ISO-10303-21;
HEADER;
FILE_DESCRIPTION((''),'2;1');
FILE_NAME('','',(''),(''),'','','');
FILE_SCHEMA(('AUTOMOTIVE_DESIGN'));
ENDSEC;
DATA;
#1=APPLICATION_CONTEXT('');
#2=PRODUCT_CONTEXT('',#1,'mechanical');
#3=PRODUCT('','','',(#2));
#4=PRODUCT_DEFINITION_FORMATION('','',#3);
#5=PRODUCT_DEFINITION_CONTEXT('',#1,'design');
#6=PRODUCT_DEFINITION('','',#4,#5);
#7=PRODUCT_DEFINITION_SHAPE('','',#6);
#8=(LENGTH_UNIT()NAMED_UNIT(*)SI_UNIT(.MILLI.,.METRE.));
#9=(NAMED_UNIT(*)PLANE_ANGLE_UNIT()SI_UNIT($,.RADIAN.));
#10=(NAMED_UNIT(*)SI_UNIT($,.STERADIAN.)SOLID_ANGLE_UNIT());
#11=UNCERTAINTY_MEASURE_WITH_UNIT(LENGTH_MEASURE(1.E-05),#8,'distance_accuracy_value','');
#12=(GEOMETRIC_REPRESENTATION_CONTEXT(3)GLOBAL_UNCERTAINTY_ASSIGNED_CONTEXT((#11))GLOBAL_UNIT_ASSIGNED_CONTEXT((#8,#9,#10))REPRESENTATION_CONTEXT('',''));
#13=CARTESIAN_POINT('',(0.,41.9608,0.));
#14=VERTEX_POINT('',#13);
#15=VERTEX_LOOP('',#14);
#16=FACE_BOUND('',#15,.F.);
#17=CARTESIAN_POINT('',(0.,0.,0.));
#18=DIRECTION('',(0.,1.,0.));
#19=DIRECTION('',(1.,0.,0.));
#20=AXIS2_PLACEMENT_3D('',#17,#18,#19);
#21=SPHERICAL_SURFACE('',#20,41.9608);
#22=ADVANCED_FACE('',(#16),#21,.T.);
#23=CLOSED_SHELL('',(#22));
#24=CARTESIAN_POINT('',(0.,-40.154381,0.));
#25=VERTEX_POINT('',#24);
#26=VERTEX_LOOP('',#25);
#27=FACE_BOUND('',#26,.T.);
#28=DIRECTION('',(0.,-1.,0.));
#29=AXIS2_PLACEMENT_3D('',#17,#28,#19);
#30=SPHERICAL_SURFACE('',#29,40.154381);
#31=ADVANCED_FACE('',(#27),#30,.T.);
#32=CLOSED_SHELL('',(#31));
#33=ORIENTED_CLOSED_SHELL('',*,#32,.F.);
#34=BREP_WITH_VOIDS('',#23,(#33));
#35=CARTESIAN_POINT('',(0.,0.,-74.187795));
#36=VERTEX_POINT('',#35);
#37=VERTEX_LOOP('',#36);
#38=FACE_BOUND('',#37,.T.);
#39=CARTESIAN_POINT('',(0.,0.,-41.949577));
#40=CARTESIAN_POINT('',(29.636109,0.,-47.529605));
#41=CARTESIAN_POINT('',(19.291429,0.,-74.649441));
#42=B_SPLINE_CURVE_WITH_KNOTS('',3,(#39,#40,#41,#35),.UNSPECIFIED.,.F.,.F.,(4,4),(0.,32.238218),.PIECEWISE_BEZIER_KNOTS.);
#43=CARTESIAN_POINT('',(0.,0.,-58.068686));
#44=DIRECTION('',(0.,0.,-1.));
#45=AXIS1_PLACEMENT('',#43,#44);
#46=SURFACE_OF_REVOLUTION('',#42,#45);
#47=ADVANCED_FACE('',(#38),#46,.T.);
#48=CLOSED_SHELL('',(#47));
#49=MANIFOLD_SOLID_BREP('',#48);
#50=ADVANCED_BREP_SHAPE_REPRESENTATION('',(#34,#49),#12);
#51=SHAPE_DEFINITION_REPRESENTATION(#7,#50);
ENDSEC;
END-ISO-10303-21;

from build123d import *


with BuildPart() as f2:
    # F0 (on Top) → F2 (revolve)
    with BuildSketch(Plane.XY):
        with BuildLine():
            ThreePointArc((0, 40.154381), (40.154381, 0), (0, -40.154381))
            Line((0, -40.154381), (0, -41.9608))
            ThreePointArc((0, -41.9608), (41.9608, 0), (0, 41.9608))
            Line((0, 41.9608), (0, 40.154381))
        make_face()
    revolve(axis=Axis((0, 0, 0), (0, -1, 0)))


with BuildPart() as f3:
    # F1 (on Front) → F3 (revolve)
    with BuildSketch(Plane.XZ):
        with BuildLine():
            add(Edge.make_bspline(
                [(0, -41.949577), (29.636109, -47.529605), (19.291429, -74.649441), (0, -74.187795)],
                knots=[0, 0, 0, 0, 32.238218, 32.238218, 32.238218, 32.238218], degree=3))
            Line((0, -41.949577), (0, -74.187795))
        make_face()
    revolve(axis=Axis((0, 0, -58.068686), (0, 0, -1)))


solid = Compound([f2.part, f3.part])
